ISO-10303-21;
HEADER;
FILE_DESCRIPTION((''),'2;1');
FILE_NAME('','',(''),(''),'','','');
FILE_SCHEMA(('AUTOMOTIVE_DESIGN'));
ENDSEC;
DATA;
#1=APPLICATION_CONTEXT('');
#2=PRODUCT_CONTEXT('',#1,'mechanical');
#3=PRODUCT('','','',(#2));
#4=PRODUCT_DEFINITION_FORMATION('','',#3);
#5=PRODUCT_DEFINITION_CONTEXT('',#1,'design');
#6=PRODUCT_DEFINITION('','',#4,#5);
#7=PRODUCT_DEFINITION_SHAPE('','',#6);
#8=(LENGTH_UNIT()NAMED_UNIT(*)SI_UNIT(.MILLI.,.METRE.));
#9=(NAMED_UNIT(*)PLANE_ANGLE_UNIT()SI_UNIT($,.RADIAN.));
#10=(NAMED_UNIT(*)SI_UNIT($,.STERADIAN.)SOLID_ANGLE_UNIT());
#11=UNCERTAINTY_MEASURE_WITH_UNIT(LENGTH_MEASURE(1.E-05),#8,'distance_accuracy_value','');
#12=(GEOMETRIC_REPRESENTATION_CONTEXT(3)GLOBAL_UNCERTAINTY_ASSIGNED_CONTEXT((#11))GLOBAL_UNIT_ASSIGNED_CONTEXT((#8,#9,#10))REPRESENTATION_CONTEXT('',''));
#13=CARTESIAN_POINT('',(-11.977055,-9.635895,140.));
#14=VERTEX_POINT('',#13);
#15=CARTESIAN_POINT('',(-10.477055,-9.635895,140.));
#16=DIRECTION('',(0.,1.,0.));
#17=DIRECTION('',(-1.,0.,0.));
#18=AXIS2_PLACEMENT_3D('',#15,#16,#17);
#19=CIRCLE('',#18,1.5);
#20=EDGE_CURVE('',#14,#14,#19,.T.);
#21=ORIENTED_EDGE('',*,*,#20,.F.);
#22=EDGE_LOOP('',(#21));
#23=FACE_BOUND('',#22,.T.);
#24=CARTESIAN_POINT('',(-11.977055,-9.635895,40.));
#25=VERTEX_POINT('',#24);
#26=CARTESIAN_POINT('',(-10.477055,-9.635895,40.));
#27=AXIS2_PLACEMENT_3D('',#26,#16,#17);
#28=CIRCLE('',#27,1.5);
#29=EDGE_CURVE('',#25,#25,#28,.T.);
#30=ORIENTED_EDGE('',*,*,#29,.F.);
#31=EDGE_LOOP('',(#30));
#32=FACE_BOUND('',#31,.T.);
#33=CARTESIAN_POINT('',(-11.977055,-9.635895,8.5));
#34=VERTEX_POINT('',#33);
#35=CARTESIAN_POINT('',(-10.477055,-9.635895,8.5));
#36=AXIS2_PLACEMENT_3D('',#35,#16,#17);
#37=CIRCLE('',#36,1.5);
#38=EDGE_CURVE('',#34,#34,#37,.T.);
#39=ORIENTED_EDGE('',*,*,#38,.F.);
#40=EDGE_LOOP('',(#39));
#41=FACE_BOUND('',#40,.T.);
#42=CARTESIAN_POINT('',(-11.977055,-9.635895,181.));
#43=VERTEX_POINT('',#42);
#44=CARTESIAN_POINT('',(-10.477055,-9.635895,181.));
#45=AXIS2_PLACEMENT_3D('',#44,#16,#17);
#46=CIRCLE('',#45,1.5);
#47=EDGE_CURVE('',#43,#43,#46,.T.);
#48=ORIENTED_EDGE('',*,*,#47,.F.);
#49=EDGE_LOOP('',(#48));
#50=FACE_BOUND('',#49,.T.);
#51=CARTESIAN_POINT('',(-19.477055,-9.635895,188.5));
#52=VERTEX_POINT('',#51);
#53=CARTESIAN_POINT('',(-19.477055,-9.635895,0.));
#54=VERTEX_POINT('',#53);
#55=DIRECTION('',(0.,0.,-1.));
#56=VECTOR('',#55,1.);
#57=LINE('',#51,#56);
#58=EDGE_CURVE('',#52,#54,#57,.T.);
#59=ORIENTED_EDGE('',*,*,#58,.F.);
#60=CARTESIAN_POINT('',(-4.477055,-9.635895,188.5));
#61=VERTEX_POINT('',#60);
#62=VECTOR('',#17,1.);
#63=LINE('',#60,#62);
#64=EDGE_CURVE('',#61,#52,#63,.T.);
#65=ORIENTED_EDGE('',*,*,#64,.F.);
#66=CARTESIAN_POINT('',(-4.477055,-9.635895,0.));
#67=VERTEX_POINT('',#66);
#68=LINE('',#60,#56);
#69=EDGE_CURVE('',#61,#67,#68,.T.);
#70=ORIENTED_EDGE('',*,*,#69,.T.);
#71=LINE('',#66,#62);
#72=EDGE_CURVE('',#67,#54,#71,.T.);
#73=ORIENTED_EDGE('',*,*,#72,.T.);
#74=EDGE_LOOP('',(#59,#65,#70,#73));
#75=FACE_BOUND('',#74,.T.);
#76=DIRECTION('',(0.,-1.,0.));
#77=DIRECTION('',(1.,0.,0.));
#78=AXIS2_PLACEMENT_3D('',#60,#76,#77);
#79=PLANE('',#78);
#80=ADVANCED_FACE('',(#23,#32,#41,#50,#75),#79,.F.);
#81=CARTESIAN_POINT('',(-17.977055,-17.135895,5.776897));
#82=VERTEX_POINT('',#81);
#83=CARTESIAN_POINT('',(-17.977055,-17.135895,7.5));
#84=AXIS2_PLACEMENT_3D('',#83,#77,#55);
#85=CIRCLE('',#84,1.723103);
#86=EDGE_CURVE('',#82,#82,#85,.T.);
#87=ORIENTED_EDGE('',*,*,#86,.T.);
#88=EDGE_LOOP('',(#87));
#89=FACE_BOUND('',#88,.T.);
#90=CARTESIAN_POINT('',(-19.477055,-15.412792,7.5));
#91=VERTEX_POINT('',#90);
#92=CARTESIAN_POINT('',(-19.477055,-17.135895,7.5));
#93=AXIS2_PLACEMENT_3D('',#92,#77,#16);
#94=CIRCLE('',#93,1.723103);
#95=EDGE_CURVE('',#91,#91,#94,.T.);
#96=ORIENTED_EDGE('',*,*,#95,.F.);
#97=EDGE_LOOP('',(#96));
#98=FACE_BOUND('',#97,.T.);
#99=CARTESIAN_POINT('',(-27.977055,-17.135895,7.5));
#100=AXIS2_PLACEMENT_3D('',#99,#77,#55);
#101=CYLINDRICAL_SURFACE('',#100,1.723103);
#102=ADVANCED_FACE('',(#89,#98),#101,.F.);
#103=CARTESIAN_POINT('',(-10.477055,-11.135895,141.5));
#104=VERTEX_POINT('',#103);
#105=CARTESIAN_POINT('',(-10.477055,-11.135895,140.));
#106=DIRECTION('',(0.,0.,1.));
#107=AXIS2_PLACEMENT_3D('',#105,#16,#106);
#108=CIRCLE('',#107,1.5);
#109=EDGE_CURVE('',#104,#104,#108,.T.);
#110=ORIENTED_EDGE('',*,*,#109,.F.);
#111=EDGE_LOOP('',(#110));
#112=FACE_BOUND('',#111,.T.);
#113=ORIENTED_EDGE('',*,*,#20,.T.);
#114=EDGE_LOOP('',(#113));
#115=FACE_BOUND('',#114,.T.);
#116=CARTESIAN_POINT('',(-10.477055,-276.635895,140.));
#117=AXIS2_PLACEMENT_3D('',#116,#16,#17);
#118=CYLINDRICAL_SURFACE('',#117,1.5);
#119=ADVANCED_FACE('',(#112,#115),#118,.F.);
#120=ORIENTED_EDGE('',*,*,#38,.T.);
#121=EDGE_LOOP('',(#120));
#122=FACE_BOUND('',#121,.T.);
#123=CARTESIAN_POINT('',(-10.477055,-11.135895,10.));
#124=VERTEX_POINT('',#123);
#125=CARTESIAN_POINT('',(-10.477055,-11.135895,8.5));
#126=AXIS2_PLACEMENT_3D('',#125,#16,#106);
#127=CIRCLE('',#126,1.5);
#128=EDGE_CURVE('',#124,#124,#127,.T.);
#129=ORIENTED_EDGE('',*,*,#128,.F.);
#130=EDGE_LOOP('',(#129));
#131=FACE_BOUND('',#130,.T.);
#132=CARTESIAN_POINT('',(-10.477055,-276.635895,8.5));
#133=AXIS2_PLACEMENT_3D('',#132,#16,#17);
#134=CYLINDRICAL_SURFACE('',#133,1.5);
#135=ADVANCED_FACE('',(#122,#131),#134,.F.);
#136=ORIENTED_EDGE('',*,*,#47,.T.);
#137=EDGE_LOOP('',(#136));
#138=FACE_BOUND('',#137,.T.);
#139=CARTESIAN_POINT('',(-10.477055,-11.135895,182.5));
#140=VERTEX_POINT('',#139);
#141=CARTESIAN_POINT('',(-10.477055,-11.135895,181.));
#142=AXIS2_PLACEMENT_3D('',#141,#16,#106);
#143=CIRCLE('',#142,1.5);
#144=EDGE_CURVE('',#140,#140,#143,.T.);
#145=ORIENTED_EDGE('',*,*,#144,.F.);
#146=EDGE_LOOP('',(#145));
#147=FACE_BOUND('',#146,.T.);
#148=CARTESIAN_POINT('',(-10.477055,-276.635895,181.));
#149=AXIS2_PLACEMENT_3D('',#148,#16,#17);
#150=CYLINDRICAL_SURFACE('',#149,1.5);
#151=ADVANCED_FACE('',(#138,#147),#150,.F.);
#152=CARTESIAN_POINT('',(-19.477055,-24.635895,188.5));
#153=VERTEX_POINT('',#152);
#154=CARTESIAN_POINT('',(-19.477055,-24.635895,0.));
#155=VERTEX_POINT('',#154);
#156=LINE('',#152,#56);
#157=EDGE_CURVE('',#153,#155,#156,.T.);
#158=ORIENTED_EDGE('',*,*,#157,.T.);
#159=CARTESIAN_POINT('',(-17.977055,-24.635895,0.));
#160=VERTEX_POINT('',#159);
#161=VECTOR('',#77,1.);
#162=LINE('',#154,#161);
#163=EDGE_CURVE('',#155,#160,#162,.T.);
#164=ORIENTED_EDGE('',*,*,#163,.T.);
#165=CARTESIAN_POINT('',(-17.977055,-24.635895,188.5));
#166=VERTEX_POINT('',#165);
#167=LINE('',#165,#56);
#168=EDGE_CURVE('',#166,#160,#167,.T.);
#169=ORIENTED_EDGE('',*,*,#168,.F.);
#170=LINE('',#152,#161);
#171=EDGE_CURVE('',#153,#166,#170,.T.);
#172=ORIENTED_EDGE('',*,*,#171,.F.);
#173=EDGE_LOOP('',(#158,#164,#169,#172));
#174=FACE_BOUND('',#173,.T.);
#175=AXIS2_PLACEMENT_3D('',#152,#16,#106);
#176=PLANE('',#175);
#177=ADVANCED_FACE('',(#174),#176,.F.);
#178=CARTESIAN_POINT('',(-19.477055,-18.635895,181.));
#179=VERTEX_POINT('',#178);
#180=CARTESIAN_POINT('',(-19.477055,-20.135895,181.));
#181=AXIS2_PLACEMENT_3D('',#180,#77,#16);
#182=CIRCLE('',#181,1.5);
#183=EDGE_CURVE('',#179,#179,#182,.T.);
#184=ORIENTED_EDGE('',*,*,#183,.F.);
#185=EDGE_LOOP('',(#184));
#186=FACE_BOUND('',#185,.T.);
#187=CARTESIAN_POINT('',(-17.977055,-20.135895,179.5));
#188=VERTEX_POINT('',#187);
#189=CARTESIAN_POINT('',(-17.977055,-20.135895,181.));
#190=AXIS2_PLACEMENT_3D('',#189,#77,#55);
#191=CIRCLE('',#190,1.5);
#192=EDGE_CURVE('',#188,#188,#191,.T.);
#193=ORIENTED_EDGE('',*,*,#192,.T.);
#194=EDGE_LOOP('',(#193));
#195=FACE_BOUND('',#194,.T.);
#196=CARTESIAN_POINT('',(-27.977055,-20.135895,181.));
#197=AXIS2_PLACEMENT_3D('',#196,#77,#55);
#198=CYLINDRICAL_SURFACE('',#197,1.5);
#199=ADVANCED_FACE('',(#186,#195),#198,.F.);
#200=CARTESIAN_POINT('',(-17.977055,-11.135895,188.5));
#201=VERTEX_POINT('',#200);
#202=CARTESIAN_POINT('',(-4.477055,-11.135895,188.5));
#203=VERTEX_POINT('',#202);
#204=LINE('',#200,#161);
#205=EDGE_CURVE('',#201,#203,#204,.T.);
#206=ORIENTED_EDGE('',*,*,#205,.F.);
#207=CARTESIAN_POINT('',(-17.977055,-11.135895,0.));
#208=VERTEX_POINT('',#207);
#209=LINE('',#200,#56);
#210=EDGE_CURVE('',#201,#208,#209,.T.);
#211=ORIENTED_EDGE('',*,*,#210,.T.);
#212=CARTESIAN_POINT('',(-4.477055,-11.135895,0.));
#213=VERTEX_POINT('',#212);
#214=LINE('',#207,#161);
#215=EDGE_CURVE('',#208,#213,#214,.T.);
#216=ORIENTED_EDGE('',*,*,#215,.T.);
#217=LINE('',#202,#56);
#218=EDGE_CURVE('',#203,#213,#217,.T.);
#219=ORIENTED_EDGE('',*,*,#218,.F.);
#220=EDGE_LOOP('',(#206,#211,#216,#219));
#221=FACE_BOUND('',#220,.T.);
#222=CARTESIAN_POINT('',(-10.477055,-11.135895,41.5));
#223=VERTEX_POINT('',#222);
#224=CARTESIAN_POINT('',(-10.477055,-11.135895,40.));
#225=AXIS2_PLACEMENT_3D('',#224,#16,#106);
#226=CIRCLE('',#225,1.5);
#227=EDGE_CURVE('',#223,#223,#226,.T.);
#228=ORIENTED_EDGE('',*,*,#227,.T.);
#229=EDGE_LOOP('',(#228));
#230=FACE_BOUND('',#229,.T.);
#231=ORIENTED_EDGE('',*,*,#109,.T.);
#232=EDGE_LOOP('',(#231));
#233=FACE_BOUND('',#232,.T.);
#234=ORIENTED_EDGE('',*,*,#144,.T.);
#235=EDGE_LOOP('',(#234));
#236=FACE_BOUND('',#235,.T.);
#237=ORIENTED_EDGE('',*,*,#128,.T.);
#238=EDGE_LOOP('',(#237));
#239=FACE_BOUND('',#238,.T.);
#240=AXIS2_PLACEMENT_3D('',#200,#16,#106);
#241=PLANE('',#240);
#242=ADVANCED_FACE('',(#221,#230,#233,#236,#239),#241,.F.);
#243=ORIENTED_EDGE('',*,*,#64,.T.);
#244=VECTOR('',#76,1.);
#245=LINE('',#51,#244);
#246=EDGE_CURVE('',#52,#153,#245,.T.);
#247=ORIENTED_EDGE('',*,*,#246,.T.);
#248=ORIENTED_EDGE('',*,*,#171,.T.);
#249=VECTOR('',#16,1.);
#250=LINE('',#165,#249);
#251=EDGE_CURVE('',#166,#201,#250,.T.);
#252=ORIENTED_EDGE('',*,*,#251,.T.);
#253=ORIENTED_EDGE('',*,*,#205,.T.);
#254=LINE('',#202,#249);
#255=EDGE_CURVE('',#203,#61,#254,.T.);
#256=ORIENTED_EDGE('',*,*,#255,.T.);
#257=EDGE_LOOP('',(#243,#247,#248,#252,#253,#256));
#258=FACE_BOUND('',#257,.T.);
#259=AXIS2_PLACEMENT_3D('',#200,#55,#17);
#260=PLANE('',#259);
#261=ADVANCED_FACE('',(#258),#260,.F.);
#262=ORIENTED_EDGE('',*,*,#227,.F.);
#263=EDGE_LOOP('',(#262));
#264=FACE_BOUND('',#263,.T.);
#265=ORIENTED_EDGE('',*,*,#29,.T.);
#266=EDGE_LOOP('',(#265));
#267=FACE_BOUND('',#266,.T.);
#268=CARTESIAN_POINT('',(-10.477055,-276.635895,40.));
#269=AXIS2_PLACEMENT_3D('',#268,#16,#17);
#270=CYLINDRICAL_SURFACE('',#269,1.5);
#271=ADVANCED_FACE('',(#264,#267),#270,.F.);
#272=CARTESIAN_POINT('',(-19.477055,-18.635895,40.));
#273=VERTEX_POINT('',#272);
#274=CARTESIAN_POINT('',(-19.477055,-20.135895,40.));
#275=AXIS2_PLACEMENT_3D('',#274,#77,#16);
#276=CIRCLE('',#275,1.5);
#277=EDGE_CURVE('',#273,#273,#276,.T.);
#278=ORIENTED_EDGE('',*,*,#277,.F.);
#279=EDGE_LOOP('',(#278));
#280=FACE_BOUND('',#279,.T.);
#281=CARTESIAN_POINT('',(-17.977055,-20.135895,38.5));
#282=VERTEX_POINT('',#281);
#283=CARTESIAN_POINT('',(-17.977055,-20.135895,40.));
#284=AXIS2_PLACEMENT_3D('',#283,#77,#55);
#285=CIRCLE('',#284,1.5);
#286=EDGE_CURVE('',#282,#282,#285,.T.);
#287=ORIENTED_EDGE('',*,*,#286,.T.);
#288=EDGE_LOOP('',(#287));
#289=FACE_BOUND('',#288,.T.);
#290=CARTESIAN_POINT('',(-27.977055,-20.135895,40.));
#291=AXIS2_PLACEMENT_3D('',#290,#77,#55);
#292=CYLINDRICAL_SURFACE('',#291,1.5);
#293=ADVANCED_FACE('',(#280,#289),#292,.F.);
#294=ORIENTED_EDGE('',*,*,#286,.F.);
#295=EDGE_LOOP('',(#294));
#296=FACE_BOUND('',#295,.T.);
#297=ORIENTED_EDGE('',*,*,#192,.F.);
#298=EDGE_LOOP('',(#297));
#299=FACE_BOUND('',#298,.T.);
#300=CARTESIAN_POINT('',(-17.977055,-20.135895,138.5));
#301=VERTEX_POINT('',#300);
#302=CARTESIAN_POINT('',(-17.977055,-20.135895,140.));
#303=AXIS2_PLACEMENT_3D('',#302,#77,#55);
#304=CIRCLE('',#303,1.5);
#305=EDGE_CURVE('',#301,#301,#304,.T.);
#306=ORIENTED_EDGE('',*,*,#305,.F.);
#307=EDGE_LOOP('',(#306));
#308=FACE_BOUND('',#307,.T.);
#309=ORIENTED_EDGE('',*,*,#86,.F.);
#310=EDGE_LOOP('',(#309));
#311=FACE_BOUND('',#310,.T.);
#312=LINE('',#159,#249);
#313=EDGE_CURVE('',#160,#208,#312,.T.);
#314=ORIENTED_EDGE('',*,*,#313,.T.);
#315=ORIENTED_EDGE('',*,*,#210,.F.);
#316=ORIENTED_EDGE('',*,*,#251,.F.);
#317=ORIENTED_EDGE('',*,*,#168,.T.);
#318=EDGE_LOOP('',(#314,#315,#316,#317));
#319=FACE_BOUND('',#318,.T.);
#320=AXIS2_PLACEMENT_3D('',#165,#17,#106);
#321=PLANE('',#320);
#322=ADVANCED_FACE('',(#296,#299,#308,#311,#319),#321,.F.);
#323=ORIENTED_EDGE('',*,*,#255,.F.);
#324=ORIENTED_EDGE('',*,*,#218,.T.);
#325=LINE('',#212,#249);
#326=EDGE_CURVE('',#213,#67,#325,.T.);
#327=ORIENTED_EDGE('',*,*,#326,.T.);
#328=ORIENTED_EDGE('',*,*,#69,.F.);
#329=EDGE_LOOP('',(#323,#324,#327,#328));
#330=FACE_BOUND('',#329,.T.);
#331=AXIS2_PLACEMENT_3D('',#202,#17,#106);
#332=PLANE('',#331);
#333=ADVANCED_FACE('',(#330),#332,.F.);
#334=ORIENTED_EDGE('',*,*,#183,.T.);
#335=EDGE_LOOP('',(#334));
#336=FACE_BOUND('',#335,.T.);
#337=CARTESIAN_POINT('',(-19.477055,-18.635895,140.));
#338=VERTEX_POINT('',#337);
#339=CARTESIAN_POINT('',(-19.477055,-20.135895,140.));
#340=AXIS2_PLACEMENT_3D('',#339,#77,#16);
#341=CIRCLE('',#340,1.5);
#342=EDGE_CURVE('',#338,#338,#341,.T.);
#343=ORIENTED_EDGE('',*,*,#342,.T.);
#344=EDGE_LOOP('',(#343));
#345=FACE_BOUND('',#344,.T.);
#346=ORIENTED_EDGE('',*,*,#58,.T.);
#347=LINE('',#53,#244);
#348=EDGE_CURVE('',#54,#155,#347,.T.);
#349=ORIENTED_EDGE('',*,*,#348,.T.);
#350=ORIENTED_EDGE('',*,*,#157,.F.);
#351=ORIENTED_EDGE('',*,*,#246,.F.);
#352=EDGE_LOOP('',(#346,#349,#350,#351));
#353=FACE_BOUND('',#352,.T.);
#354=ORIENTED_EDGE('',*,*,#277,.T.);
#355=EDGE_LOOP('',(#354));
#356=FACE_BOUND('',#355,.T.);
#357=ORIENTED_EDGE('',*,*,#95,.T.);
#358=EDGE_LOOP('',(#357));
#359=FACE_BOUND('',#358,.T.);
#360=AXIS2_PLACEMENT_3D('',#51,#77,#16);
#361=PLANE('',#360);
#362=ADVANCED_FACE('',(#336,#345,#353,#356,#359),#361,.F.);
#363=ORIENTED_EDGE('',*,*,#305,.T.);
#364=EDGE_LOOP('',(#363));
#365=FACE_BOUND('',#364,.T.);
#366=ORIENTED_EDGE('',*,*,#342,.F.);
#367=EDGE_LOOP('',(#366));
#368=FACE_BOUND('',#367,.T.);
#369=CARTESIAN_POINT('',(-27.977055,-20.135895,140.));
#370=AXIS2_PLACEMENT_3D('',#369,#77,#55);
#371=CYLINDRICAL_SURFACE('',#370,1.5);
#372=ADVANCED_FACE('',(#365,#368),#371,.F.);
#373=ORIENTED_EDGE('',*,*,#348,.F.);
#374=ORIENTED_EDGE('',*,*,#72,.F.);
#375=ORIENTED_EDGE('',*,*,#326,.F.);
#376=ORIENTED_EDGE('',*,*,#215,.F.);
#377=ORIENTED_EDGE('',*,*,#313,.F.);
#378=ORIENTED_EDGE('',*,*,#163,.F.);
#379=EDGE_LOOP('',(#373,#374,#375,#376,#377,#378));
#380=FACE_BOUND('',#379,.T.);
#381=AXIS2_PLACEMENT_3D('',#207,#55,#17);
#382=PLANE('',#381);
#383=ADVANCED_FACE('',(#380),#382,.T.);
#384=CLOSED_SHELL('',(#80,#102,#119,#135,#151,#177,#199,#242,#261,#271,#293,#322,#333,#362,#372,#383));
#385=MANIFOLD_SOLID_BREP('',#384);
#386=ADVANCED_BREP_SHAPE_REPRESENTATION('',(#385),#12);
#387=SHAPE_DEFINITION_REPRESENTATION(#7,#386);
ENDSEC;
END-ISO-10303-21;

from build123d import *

# Parameters (mm, degrees)
EXTRUSION1_DEPTH = 188.5
ESQUISSE2_R      = 1.5
EXTRUSION2_DEPTH = 267
ESQUISSE3_R      = 1.5
ESQUISSE3_R_2    = 1.723102606
EXTRUSION3_DEPTH = 10


with BuildPart() as part:
    # Esquisse1 → Extrusion1 (new body)
    with BuildSketch(Plane.XY):
        Polygon((-19.477054801, -9.635894737), (-19.477054801, -24.635894737), (-17.977054801, -24.635894737), (-17.977054801, -11.135894737), (-4.477054801, -11.135894737), (-4.477054801, -9.635894737), align=None)
    extrude(amount=EXTRUSION1_DEPTH)

    # Esquisse2 → Extrusion2 (cut)
    with BuildSketch(Plane(origin=(0, -9.635894737, 0), x_dir=(-1, 0, 0), z_dir=(0, 1, 0))):
        with Locations((10.477054801, 8.5)):
            Circle(ESQUISSE2_R)
        with Locations((10.477054801, 181)):
            Circle(ESQUISSE2_R)
        with Locations((10.477054801, 140)):
            Circle(ESQUISSE2_R)
        with Locations((10.477054801, 40)):
            Circle(ESQUISSE2_R)
    extrude(amount=-EXTRUSION2_DEPTH, mode=Mode.SUBTRACT)

    # Esquisse3 → Extrusion3 (cut)
    with BuildSketch(Plane(origin=(-17.977054801, 0, 0), x_dir=(0, 0, -1), z_dir=(1, 0, 0))):
        with Locations((-40, -20.135894737)):
            Circle(ESQUISSE3_R)
        with Locations((-140, -20.135894737)):
            Circle(ESQUISSE3_R)
        with Locations((-181, -20.135894737)):
            Circle(ESQUISSE3_R)
        with Locations((-7.5, -17.135894737)):
            Circle(ESQUISSE3_R_2)
    extrude(amount=-EXTRUSION3_DEPTH, mode=Mode.SUBTRACT)


solid = part.part
